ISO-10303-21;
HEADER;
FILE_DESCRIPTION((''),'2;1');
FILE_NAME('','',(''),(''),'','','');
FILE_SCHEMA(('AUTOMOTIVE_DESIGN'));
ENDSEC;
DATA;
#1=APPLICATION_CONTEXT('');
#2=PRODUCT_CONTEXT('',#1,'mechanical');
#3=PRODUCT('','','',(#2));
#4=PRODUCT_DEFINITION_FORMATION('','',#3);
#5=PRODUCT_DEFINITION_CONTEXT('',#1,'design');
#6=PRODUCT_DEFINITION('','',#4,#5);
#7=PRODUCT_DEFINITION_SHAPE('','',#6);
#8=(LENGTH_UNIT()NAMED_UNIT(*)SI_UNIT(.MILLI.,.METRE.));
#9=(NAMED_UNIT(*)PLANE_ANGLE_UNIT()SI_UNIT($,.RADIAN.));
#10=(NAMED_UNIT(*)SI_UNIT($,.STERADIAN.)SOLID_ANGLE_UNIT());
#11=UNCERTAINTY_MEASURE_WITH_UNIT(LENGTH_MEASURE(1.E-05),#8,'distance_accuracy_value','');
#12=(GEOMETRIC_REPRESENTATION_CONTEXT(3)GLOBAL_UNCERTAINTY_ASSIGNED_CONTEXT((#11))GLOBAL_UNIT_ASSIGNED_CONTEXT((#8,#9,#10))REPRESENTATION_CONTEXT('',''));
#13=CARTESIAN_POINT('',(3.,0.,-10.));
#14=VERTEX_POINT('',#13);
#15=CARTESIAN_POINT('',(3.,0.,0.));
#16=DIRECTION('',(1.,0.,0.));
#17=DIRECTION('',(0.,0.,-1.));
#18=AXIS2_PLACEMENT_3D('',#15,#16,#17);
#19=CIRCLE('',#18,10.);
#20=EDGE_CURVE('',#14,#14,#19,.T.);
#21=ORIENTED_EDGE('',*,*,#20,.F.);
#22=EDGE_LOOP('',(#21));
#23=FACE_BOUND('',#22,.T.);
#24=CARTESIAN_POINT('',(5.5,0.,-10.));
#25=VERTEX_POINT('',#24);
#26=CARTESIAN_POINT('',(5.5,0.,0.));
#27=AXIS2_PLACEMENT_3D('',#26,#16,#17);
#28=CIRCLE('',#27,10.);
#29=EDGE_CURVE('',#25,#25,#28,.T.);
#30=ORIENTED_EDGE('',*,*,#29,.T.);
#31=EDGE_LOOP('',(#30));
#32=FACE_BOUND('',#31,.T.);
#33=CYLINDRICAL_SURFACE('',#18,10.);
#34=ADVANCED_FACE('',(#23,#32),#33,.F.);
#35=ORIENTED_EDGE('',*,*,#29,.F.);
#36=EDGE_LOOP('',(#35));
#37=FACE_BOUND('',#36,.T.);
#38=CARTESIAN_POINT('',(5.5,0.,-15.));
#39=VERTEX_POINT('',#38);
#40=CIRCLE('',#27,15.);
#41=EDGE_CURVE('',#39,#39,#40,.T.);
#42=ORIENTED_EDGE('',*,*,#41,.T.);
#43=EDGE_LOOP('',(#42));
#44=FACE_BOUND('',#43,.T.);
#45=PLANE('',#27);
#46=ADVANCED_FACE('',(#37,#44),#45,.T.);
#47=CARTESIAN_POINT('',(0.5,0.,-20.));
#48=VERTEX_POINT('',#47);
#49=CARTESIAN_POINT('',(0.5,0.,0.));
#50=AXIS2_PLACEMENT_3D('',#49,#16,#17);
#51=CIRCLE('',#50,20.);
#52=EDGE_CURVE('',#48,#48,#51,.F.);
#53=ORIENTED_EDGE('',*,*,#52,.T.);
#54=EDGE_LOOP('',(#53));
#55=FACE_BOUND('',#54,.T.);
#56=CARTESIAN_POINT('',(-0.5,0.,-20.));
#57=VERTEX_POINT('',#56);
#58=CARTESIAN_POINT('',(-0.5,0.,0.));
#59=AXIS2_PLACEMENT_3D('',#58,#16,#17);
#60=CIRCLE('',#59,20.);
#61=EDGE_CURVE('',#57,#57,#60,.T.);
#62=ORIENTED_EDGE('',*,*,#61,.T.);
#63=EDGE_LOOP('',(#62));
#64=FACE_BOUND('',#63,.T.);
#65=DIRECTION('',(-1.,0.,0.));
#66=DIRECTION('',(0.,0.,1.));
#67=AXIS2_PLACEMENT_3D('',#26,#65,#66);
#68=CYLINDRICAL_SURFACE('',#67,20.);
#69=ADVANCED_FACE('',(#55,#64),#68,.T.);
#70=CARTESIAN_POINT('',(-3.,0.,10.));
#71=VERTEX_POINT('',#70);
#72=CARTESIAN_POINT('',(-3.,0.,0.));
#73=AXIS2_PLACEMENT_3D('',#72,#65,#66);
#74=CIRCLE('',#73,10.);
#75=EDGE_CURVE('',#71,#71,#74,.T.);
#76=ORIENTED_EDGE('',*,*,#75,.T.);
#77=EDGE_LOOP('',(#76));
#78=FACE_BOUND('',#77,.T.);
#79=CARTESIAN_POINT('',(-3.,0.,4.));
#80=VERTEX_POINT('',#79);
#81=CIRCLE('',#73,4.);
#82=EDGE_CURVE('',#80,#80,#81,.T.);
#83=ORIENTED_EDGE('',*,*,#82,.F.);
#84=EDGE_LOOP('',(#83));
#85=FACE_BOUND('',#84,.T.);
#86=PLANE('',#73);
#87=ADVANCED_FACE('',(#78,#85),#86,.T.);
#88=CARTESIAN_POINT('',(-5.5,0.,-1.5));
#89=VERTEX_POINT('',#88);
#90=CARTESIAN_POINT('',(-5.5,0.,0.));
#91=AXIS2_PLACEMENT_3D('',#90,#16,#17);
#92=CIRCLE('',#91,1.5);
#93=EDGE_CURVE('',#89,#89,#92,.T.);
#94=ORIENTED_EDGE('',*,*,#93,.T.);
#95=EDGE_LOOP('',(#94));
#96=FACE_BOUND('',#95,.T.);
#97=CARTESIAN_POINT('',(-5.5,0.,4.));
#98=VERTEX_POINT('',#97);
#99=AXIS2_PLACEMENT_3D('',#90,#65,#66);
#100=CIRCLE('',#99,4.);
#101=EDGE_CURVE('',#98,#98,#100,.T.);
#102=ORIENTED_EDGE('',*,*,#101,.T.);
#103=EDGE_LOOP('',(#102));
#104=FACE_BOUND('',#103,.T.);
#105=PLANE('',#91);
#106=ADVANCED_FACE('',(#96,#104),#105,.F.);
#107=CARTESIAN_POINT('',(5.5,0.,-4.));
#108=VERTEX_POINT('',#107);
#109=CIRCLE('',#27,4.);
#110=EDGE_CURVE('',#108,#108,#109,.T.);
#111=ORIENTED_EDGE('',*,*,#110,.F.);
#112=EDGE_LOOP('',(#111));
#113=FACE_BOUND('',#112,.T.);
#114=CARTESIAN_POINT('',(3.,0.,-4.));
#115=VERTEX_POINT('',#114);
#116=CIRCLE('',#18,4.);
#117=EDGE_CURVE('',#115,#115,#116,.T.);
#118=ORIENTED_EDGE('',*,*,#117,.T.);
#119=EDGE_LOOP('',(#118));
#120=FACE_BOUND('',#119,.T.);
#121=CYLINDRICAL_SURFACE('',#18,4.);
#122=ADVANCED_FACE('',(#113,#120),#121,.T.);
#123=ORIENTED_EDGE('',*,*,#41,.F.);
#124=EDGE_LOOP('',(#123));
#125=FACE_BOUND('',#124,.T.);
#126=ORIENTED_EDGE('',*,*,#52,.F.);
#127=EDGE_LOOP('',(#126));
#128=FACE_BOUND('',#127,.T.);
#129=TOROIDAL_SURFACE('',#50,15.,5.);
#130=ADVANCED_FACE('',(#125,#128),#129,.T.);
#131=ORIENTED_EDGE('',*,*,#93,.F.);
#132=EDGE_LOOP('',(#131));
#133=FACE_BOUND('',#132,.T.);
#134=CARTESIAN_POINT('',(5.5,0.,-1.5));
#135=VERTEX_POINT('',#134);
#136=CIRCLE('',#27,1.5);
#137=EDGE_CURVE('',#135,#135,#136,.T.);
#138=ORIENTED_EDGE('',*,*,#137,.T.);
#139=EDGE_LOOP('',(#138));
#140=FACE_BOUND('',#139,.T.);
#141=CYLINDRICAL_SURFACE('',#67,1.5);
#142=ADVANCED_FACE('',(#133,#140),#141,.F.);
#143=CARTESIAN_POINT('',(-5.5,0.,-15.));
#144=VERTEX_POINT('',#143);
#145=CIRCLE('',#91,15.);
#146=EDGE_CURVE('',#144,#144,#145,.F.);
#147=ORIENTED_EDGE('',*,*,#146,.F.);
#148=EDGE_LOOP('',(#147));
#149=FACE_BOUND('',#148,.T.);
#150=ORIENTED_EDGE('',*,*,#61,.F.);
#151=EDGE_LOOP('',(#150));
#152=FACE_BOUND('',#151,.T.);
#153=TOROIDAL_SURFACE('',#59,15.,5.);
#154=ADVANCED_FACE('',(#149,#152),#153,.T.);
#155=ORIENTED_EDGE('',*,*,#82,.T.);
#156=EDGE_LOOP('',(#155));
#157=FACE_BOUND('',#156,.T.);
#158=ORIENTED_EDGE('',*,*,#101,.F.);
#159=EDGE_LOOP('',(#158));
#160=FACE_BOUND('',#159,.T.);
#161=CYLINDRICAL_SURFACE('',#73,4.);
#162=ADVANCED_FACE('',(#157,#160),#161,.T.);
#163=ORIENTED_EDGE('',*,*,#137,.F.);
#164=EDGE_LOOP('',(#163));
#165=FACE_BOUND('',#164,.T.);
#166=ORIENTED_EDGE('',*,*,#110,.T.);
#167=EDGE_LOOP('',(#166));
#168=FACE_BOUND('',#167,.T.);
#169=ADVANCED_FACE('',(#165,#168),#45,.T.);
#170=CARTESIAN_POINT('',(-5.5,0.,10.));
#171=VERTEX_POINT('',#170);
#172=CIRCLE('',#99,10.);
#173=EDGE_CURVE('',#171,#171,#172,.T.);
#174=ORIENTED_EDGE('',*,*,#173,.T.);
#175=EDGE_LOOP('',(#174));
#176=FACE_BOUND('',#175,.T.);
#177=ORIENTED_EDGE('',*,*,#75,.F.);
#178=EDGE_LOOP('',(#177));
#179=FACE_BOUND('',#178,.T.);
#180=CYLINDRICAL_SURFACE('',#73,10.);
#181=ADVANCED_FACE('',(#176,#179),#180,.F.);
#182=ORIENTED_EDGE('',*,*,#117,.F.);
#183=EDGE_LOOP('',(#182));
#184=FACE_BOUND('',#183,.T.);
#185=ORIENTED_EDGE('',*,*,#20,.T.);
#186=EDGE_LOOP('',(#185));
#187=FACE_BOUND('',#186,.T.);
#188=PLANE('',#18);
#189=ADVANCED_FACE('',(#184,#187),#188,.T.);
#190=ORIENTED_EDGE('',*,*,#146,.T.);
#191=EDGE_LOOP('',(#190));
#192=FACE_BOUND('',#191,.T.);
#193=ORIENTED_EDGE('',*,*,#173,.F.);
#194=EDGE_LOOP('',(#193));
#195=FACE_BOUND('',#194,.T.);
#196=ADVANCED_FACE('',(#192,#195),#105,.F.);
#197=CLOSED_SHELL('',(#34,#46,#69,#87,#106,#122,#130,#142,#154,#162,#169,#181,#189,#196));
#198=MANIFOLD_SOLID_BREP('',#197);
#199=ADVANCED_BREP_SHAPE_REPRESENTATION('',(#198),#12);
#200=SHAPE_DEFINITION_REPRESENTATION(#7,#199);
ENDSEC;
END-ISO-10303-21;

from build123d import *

# Parameters (mm, degrees)
SKETCH2_R           = 20
SKETCH2_R_2         = 1.5
BOSS_EXTRUDE1_DEPTH = 5.5
FILLET1_R           = 5
SKETCH3_R           = 10
SKETCH3_R_2         = 4
CUT_EXTRUDE1_DEPTH  = 2.5
CUT_EXTRUDE2_START  = -2.5
SKETCH4_R           = 10
SKETCH4_R_2         = 4
CUT_EXTRUDE2_DEPTH  = 2.5


with BuildPart() as part:
    # Sketch2 → Boss-Extrude1 (new, symmetric)
    with BuildSketch(Plane(origin=(0, 0, 0), x_dir=(0, 0, -1), z_dir=(1, 0, 0))):
        Circle(SKETCH2_R)
        Circle(SKETCH2_R_2, mode=Mode.SUBTRACT)
    extrude(amount=BOSS_EXTRUDE1_DEPTH, both=True)

    # Fillet1
    fillet1_edges = [part.edges().sort_by_distance(p)[0] for p in [
        (-5.5, 0, 20),
        (5.5, 0, 20),
    ]]
    fillet(fillet1_edges, radius=FILLET1_R)

    # Sketch3 → Cut-Extrude1 (cut)
    with BuildSketch(Plane(origin=(5.5, 0, 0), x_dir=(0, 0, -1), z_dir=(1, 0, 0))):
        Circle(SKETCH3_R)
        Circle(SKETCH3_R_2, mode=Mode.SUBTRACT)
    extrude(amount=-CUT_EXTRUDE1_DEPTH, mode=Mode.SUBTRACT)

    # Sketch4 → Cut-Extrude2 (cut)
    with BuildSketch(Plane.ZY.offset(5.5).offset(CUT_EXTRUDE2_START)):
        with Locations(Location((0, 0, 0), (0, 0, 180))):
            Circle(SKETCH4_R)
        with Locations(Location((0, 0, 0), (0, 0, 180))):
            Circle(SKETCH4_R_2, mode=Mode.SUBTRACT)
    extrude(amount=CUT_EXTRUDE2_DEPTH, mode=Mode.SUBTRACT)


solid = part.part
